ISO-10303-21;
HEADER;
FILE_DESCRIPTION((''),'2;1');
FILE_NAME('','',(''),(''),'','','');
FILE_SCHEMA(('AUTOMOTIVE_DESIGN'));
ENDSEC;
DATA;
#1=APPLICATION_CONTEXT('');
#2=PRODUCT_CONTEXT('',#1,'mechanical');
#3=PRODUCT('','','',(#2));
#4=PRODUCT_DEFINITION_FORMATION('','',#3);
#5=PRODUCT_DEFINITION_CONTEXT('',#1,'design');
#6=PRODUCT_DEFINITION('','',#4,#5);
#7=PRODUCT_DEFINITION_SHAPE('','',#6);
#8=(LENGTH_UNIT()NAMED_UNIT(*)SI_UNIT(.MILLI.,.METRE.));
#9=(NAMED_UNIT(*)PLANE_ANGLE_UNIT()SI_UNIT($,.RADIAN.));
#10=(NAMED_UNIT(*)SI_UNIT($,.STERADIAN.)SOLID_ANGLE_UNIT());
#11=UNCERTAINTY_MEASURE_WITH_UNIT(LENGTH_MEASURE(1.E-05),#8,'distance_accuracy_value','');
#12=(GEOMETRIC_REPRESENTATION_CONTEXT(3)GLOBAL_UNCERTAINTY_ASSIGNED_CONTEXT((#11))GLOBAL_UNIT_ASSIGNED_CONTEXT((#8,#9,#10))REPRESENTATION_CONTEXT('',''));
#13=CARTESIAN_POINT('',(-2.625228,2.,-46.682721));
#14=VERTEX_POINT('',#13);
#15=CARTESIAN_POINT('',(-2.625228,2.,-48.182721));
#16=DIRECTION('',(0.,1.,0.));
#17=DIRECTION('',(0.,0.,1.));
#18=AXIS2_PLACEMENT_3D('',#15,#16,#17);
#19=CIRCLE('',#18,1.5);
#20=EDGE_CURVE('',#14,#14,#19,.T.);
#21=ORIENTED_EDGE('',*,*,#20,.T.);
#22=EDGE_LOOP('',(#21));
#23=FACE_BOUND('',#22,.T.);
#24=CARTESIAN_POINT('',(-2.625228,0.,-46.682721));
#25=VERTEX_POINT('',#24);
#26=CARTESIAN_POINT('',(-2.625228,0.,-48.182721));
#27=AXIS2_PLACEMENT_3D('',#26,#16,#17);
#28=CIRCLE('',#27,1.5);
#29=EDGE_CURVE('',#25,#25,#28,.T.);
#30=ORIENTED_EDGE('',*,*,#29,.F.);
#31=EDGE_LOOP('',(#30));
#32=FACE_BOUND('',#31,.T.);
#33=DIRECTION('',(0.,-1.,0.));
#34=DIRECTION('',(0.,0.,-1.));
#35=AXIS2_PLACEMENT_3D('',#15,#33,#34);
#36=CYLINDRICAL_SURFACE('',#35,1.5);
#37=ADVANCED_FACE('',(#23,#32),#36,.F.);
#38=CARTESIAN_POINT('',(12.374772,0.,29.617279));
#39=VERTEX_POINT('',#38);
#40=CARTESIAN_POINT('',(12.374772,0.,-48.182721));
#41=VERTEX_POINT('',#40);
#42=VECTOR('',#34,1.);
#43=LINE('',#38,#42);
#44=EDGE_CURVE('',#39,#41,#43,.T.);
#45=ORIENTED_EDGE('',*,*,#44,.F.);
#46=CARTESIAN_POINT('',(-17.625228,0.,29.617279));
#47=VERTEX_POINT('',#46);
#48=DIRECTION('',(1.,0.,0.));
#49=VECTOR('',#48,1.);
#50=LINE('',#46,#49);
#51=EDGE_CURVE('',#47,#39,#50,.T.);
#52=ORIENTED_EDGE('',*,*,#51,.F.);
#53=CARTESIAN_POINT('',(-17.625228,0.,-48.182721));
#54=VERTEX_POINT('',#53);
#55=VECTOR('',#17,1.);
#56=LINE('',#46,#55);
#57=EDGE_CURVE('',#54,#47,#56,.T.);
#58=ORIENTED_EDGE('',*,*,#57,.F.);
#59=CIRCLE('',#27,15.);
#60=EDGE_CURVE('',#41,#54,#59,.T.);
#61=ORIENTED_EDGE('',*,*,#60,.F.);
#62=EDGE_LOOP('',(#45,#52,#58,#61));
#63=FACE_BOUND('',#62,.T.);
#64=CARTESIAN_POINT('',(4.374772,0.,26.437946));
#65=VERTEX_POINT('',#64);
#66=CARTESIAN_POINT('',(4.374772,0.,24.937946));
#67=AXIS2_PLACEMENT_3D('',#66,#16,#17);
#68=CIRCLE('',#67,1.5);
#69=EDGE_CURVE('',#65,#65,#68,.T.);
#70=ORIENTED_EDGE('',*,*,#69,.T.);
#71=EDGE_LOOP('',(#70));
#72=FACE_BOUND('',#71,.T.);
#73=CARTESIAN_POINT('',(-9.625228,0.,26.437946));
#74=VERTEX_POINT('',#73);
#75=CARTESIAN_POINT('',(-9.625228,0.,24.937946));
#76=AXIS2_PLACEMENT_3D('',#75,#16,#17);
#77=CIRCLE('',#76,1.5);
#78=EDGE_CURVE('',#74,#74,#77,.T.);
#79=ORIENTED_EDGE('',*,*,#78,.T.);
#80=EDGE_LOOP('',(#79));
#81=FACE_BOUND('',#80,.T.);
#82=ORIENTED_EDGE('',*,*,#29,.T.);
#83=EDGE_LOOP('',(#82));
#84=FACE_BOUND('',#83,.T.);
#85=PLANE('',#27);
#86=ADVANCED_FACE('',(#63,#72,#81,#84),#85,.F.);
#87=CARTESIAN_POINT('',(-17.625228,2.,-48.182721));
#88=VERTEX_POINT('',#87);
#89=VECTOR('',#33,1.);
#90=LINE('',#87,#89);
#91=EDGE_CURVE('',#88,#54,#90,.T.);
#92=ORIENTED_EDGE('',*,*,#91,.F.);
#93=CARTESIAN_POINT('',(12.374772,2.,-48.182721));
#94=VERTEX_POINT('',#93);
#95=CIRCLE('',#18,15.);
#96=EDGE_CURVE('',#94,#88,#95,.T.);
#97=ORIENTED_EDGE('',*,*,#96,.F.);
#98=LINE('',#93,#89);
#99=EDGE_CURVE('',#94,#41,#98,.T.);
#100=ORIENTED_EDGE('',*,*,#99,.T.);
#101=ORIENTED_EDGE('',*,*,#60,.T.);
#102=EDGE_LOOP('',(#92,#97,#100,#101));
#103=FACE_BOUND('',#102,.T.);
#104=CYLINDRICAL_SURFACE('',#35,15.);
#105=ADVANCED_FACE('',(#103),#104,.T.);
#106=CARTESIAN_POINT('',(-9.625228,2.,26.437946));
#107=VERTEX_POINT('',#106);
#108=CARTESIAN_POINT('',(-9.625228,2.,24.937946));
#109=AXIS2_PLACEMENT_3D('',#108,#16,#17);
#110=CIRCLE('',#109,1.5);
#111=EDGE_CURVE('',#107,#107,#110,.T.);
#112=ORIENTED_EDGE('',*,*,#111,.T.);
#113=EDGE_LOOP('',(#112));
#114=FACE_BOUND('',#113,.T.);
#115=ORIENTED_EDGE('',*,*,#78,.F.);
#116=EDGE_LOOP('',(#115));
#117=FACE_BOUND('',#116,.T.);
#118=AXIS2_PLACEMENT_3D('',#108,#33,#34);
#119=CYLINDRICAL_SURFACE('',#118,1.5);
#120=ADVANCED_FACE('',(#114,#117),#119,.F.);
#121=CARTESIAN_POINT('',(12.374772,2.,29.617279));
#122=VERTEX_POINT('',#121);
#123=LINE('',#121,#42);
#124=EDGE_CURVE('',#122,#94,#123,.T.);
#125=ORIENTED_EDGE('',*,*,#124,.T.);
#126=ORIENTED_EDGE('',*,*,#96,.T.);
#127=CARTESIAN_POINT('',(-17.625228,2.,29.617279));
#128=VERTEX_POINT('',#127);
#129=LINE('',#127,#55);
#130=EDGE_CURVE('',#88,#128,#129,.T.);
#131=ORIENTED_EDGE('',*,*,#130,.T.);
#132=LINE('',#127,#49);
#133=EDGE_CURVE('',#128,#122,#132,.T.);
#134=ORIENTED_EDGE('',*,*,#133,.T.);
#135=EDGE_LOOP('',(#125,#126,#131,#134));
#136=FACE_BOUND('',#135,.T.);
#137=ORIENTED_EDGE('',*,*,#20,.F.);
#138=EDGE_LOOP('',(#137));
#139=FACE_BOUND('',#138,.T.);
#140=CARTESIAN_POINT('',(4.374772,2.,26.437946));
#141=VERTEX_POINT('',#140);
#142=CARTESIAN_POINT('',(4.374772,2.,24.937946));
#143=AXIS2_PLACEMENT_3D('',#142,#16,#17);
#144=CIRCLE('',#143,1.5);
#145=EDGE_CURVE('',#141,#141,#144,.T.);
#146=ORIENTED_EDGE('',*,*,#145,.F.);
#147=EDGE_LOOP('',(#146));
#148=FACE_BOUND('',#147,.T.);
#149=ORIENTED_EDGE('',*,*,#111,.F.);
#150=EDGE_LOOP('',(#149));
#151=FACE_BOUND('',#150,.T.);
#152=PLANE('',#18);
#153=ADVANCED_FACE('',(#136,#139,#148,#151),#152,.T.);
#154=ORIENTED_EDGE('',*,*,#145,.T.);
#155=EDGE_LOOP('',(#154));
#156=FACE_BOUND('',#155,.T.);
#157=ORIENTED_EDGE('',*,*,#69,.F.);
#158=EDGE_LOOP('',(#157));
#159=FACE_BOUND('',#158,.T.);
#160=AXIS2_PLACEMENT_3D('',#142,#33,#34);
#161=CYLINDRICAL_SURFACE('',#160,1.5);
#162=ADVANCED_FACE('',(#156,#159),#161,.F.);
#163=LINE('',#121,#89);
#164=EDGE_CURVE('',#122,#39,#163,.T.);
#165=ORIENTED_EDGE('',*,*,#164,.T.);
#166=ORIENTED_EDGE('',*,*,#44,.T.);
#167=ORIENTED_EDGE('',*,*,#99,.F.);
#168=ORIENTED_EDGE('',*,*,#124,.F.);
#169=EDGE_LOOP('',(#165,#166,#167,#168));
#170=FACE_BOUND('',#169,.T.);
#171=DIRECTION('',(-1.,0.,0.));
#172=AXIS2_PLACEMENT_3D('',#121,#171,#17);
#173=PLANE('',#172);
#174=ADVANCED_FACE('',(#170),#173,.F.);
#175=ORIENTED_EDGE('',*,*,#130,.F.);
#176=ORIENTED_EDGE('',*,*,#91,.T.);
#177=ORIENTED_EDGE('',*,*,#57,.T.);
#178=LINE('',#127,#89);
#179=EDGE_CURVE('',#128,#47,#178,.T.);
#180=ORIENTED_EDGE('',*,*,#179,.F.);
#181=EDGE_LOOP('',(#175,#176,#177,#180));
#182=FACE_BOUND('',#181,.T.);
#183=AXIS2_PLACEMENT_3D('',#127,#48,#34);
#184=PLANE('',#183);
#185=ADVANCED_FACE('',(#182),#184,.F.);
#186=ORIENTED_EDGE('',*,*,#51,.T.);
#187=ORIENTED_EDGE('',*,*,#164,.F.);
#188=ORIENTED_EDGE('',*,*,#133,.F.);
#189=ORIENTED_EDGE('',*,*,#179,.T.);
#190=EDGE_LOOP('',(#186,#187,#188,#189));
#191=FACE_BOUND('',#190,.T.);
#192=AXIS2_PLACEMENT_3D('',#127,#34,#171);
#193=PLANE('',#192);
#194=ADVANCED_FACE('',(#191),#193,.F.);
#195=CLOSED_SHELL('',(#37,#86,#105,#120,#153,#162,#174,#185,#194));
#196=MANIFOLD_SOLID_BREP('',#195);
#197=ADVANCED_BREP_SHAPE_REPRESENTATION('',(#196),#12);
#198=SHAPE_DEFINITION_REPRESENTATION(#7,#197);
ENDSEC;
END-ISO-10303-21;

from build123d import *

# Parameters (mm, degrees)
SKETCH_1_R      = 1.5
EXTRUDE_1_DEPTH = 2


with BuildPart() as part:
    # Эскиз1 → Бобышка-Вытянуть1 (new body)
    with BuildSketch(Plane(origin=(0, 0, 0), x_dir=(1, 0, 0), z_dir=(0, 1, 0))):
        with BuildLine():
            Line((-17.625227915, -29.617278809), (12.374772085, -29.617278809))
            Line((12.374772085, -29.617278809), (12.374772085, 48.182721191))
            ThreePointArc((12.374772085, 48.182721191), (-2.625227915, 63.182721191), (-17.625227915, 48.182721191))
            Line((-17.625227915, 48.182721191), (-17.625227915, -29.617278809))
        make_face()
        with Locations(Location((-9.625227915, -24.937945637, 0), (0, 0, 270))):
            Circle(SKETCH_1_R, mode=Mode.SUBTRACT)
        with Locations(Location((4.374772085, -24.937945637, 0), (0, 0, 270))):
            Circle(SKETCH_1_R, mode=Mode.SUBTRACT)
        with Locations(Location((-2.625227915, 48.182721191, 0), (0, 0, 270))):
            Circle(SKETCH_1_R, mode=Mode.SUBTRACT)
    extrude(amount=EXTRUDE_1_DEPTH)


solid = part.part
